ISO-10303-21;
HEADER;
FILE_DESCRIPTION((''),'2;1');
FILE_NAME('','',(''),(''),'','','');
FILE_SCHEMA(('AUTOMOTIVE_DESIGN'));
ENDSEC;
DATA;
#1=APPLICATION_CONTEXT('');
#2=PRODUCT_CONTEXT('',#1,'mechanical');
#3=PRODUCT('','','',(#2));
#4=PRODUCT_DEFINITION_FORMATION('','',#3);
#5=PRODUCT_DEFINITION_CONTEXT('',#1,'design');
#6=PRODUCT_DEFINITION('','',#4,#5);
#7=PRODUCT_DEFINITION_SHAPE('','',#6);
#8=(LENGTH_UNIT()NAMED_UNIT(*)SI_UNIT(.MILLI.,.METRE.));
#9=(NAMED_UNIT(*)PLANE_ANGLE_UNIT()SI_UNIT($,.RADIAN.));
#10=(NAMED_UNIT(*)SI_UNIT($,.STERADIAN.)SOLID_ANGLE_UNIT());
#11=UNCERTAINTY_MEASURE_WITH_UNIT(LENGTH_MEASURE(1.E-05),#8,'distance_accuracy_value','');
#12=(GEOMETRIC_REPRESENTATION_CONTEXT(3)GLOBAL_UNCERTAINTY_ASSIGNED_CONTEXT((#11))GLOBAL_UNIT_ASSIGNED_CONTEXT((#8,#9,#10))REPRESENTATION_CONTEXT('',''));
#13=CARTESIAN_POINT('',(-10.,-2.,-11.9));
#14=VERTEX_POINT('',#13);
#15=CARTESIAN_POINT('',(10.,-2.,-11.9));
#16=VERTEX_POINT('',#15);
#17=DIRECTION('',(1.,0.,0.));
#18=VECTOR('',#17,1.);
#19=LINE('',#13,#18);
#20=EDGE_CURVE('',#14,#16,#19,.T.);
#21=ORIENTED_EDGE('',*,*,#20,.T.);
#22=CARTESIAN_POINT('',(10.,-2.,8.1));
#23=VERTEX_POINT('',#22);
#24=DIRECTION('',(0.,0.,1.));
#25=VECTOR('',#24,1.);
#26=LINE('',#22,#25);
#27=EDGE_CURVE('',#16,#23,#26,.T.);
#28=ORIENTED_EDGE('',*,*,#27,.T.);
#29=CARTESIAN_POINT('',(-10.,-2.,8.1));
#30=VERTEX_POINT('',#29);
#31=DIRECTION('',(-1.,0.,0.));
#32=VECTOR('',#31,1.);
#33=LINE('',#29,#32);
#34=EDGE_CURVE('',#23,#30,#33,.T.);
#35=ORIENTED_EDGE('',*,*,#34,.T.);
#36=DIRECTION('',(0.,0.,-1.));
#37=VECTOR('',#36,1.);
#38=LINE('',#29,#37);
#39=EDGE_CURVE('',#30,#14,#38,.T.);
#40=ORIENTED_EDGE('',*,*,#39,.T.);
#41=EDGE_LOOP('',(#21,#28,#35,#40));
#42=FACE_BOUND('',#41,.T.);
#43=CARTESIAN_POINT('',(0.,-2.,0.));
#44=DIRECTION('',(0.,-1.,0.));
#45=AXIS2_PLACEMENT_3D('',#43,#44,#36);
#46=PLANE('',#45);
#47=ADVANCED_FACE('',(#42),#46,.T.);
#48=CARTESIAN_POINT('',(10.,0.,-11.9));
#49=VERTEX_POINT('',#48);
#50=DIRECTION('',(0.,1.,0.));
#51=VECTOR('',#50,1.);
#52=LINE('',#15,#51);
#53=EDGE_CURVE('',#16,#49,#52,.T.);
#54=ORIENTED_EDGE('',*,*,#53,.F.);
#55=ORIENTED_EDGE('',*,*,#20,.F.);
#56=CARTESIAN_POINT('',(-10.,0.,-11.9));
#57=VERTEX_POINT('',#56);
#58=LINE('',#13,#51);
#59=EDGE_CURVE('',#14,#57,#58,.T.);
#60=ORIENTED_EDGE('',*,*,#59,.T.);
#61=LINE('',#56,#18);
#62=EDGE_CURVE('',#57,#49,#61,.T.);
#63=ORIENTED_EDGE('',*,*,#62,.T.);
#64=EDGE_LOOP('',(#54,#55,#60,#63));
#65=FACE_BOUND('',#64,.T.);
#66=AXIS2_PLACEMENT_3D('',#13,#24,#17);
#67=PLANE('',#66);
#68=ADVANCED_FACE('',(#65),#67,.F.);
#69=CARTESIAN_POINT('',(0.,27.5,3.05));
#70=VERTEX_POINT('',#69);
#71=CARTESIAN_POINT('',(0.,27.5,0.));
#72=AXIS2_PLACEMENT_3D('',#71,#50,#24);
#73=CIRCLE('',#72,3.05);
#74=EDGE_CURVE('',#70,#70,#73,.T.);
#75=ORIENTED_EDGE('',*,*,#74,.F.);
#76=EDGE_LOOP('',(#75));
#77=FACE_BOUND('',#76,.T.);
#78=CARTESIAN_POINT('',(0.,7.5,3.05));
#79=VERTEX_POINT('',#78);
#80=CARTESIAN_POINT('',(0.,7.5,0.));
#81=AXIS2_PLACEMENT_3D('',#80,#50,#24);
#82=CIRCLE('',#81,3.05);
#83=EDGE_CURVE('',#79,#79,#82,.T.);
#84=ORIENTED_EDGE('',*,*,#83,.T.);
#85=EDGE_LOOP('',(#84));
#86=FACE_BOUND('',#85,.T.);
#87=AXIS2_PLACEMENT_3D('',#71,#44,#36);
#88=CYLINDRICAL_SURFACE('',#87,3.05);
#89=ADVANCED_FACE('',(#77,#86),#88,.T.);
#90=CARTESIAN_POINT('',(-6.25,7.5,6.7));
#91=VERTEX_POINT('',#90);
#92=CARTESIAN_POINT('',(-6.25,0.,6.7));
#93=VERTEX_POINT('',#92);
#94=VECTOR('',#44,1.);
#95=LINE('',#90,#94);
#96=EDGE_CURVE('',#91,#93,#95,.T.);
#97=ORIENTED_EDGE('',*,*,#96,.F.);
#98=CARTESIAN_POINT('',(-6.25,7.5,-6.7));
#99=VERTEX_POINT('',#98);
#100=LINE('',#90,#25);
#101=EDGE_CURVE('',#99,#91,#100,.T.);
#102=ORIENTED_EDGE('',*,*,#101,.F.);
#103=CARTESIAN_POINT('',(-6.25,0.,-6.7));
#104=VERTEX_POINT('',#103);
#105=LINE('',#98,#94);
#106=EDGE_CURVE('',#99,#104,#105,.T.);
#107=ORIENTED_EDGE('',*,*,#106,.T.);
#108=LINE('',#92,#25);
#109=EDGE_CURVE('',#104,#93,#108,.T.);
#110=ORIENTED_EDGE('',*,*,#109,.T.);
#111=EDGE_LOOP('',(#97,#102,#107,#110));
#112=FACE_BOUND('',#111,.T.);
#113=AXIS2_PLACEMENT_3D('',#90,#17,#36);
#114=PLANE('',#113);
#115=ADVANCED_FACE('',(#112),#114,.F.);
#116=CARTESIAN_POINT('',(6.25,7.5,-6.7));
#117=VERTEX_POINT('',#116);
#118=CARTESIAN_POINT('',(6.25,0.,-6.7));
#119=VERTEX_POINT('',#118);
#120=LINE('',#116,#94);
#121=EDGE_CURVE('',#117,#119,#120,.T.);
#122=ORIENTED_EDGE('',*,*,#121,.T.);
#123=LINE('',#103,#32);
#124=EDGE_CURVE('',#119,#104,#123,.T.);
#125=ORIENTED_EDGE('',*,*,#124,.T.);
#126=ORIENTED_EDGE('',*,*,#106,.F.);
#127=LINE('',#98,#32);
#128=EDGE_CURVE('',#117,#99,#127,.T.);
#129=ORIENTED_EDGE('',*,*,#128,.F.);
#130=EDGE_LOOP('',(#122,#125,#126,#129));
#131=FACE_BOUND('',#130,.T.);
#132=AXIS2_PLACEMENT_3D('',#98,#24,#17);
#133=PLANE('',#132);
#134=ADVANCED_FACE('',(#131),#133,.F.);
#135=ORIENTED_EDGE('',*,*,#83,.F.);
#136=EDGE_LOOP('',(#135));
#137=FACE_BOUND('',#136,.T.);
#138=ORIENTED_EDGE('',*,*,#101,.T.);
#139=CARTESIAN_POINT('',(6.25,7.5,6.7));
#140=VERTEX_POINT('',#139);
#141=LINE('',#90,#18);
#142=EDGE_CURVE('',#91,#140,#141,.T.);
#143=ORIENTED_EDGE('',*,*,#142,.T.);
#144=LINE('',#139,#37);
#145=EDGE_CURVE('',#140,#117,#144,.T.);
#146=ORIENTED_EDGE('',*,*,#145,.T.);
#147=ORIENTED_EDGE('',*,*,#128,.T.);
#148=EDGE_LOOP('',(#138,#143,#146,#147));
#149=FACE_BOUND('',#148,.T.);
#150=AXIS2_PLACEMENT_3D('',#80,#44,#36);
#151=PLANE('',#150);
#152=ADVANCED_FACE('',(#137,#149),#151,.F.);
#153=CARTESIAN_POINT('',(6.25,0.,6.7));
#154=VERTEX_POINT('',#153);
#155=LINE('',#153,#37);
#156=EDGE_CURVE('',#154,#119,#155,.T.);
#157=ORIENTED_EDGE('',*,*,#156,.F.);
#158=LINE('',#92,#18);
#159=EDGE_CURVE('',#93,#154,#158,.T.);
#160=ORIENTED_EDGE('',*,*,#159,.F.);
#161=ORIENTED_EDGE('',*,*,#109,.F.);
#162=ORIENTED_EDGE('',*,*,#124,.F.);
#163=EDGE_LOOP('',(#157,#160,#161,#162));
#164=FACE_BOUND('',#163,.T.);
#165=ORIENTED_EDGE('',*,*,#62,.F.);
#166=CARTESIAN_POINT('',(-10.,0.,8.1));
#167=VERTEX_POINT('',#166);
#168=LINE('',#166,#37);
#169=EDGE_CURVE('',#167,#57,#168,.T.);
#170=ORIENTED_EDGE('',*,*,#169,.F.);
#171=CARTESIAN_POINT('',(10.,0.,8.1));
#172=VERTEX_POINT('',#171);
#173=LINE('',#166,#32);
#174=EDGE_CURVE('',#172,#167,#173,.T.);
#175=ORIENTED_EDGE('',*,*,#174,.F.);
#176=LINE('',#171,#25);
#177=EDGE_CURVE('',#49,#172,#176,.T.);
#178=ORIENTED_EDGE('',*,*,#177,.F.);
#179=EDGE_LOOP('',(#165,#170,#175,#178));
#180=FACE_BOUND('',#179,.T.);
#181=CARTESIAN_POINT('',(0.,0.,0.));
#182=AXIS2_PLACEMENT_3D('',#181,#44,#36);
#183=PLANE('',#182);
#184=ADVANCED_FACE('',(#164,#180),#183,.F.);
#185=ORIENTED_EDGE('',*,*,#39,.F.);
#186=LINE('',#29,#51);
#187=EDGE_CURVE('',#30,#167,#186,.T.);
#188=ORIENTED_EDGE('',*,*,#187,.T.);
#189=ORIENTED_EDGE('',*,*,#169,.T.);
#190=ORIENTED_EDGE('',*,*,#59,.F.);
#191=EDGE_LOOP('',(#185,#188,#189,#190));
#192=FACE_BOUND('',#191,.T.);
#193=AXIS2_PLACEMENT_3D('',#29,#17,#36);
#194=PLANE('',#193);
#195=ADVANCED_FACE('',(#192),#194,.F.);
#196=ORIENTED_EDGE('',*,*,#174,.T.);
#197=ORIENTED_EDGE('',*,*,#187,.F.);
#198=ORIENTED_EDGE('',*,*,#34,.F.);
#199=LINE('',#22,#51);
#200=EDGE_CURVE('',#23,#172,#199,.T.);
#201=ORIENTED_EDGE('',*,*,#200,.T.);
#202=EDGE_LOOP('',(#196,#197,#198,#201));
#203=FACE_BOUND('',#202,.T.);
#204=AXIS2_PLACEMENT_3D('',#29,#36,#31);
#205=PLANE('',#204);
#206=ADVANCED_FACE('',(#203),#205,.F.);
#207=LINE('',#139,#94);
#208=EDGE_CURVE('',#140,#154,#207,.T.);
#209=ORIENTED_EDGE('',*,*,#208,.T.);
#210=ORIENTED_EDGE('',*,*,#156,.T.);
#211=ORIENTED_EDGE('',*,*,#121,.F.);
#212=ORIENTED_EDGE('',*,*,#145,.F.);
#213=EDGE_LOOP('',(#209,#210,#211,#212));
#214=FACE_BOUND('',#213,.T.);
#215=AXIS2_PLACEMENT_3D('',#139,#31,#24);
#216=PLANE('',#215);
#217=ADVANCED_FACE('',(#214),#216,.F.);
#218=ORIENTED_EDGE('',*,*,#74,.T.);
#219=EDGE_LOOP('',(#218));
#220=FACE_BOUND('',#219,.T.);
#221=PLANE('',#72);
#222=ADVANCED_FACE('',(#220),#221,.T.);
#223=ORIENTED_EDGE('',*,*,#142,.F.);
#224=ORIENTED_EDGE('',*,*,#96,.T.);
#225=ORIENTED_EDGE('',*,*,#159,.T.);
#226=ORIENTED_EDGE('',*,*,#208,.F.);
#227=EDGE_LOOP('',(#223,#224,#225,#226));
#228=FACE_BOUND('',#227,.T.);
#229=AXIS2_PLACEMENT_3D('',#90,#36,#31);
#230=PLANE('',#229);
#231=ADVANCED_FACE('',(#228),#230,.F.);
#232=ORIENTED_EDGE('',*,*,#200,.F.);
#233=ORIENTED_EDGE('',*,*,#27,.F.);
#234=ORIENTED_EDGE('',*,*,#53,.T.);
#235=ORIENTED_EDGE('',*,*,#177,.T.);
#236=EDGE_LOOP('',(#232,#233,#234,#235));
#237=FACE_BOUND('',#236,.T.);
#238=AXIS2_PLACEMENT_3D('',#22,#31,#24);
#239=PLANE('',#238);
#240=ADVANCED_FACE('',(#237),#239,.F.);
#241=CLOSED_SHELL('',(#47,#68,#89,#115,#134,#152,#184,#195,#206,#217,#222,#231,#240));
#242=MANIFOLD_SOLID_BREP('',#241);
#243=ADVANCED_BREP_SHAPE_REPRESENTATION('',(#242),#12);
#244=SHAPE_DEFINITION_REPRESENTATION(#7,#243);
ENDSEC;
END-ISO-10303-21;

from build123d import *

# Parameters (mm, degrees)
SKETCH2_W           = 12.5
SKETCH2_H           = 13.4
BOSS_EXTRUDE1_DEPTH = 7.5
SKETCH3_R           = 3.05
BOSS_EXTRUDE2_DEPTH = 20
SKETCH4_W           = 20
SKETCH4_H           = 20
BOSS_EXTRUDE3_DEPTH = 2


with BuildPart() as part:
    # Sketch2 → Boss-Extrude1 (new body)
    with BuildSketch(Plane(origin=(0, 0, 0), x_dir=(1, 0, 0), z_dir=(0, 1, 0))):
        Rectangle(SKETCH2_W, SKETCH2_H)
    extrude(amount=BOSS_EXTRUDE1_DEPTH)

    # Sketch3 → Boss-Extrude2 (add)
    with BuildSketch(Plane(origin=(0, 7.5, 0), x_dir=(1, 0, 0), z_dir=(0, 1, 0))):
        with Locations(Location((0, 0, 0), (0, 0, 270))):
            Circle(SKETCH3_R)
    extrude(amount=BOSS_EXTRUDE2_DEPTH)

    # Sketch4 → Boss-Extrude3 (add)
    with BuildSketch(Plane.XZ):
        with Locations((0, -1.9)):
            Rectangle(SKETCH4_W, SKETCH4_H)
    extrude(amount=BOSS_EXTRUDE3_DEPTH)


solid = part.part
